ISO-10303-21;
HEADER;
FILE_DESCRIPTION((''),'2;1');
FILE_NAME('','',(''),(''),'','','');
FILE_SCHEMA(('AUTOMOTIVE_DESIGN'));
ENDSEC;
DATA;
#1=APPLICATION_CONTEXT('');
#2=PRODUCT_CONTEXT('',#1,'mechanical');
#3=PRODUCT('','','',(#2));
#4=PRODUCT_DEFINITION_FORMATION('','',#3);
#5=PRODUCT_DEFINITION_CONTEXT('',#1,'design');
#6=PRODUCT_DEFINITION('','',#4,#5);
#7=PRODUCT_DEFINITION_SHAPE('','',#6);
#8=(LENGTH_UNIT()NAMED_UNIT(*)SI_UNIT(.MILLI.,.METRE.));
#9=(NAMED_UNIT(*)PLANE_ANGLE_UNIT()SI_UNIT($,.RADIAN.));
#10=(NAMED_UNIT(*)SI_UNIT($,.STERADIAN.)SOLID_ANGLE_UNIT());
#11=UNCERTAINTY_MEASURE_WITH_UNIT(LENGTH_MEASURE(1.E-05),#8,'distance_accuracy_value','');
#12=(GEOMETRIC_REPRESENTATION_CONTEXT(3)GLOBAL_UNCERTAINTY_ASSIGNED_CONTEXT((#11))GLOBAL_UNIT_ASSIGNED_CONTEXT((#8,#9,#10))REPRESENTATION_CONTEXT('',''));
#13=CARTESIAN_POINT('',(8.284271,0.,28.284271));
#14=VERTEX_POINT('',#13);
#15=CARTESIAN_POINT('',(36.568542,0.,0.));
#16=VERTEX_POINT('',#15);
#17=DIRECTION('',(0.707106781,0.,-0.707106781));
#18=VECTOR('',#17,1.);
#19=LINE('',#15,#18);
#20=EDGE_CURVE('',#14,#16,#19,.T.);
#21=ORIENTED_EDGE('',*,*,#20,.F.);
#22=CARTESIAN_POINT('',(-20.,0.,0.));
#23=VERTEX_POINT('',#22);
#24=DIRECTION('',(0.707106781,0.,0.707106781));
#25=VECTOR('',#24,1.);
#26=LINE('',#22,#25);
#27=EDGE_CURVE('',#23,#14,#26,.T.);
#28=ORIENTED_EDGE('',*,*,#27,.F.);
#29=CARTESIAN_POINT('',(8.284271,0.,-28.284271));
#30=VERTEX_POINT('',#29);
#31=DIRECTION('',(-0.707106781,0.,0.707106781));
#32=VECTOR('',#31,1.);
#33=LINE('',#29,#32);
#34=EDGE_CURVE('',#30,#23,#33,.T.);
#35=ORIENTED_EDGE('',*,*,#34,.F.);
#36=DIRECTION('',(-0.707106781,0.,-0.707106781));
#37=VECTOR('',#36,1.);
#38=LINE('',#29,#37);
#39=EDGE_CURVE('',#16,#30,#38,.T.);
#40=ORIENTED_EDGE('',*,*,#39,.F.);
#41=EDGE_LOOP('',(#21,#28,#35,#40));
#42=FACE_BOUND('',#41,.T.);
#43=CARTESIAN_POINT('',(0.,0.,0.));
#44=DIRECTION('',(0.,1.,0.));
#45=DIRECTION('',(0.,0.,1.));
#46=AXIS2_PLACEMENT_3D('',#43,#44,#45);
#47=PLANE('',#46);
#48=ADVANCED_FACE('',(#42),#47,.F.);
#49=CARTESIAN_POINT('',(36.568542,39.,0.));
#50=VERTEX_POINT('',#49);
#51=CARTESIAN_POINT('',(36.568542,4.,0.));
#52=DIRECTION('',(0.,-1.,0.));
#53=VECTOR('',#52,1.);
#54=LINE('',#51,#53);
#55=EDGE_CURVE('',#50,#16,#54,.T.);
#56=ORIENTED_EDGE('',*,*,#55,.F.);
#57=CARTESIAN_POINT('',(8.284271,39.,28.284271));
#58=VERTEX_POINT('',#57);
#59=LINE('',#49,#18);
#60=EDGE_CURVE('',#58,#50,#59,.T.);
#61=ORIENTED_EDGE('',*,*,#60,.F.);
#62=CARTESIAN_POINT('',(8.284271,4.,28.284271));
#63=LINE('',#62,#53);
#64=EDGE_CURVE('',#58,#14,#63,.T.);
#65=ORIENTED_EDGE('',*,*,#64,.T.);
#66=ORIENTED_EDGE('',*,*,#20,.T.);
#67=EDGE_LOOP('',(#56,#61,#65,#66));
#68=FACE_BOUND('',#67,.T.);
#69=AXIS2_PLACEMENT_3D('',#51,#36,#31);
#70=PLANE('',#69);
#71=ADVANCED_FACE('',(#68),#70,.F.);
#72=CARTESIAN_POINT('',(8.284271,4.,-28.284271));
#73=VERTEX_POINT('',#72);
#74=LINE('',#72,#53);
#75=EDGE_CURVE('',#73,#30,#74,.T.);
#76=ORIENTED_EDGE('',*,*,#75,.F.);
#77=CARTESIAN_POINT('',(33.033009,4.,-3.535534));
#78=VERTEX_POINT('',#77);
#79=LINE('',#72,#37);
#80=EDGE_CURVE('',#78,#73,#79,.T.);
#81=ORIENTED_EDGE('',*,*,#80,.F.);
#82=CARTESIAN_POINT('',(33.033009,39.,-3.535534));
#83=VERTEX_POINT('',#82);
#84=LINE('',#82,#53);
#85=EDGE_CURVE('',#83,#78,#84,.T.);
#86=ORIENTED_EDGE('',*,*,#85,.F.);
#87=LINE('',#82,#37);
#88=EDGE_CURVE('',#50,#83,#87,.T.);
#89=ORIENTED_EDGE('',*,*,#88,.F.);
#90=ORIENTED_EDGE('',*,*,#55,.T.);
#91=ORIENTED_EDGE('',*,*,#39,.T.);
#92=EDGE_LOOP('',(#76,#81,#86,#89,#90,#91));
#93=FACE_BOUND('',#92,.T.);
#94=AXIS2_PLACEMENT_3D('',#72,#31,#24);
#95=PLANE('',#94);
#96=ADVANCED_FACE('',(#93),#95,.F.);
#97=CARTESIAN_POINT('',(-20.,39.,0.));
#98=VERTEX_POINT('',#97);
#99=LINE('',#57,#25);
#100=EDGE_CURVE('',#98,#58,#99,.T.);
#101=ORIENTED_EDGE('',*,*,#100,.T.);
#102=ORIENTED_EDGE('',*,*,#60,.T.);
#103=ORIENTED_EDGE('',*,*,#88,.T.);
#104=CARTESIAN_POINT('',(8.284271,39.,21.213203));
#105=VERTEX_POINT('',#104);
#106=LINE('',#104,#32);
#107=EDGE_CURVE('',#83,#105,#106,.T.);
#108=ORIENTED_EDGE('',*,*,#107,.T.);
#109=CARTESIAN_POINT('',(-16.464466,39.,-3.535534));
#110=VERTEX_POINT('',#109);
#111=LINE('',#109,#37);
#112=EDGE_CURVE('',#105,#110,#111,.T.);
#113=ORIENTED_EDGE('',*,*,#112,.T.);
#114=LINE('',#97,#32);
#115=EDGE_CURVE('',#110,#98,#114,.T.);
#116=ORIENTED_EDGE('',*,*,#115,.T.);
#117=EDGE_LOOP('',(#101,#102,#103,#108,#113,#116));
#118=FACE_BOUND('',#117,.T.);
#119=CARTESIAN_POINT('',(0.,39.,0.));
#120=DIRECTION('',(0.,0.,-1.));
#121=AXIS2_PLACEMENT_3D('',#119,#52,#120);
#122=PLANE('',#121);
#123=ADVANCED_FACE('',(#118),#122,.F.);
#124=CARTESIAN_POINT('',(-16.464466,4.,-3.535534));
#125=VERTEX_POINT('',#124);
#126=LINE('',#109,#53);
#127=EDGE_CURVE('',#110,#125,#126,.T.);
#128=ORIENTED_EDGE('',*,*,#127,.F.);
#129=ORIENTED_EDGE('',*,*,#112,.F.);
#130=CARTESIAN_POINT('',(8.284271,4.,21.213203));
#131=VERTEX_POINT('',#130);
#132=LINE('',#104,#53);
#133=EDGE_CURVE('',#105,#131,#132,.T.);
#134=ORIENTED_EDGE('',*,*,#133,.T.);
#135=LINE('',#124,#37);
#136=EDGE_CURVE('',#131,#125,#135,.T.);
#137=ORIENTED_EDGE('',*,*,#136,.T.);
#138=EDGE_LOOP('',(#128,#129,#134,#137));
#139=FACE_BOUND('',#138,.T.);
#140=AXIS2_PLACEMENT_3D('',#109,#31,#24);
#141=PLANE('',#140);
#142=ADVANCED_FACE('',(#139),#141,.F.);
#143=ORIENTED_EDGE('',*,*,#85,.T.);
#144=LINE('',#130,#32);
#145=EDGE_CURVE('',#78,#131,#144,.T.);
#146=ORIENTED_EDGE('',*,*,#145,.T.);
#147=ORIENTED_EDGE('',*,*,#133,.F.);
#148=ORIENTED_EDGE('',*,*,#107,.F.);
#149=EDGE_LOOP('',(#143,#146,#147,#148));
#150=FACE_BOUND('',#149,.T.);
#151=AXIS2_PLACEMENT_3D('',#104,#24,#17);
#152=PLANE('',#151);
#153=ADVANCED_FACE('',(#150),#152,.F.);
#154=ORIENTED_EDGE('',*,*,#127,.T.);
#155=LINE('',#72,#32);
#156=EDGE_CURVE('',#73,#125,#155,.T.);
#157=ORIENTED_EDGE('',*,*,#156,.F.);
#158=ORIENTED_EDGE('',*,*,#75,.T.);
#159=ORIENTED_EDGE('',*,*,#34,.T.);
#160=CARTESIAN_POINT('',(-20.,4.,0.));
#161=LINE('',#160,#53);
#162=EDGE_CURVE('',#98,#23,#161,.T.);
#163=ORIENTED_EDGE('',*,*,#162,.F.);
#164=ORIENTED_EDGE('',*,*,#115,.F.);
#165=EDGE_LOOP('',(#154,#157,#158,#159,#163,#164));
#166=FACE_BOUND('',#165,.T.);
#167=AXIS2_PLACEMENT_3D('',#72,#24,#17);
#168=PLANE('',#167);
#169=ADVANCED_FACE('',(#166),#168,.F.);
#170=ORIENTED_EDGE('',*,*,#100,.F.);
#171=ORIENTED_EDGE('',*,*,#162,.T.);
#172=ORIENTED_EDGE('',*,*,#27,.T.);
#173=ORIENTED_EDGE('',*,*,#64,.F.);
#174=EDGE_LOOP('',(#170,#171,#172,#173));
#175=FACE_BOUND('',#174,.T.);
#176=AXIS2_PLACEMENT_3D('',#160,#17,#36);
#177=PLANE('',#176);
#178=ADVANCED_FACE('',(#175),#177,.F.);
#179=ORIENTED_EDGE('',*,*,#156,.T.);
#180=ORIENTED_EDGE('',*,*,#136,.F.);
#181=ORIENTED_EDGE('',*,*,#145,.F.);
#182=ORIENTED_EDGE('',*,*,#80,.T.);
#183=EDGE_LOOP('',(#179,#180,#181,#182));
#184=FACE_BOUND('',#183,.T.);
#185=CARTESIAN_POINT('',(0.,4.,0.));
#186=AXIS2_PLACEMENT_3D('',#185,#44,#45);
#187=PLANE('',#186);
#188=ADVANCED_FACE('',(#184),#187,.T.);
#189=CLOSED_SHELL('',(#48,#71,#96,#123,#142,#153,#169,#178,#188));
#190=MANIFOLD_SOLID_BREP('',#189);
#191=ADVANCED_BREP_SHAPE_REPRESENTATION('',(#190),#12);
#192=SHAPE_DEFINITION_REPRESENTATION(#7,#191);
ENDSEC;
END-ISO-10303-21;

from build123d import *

# Parameters (mm, degrees)
SALIENTE_EXTRUIR1_DEPTH = 4
SALIENTE_EXTRUIR2_DEPTH = 35


with BuildPart() as part:
    # Croquis1 → Saliente-Extruir1 (new body)
    with BuildSketch(Plane(origin=(0, 0, 0), x_dir=(1, 0, 0), z_dir=(0, 1, 0))):
        Polygon((8.284271247, 28.284271247), (36.568542495, 0), (8.284271247, -28.284271247), (-20, 0), align=None)
    extrude(amount=SALIENTE_EXTRUIR1_DEPTH)

    # Croquis2 → Saliente-Extruir2 (add)
    with BuildSketch(Plane(origin=(0, 4, 0), x_dir=(1, 0, 0), z_dir=(0, 1, 0))):
        Polygon((-20, 0), (-16.464466094, 3.535533906), (8.284271247, -21.213203436), (33.033008589, 3.535533906), (36.568542495, 0), (8.284271247, -28.284271247), align=None)
    extrude(amount=SALIENTE_EXTRUIR2_DEPTH)


solid = part.part
